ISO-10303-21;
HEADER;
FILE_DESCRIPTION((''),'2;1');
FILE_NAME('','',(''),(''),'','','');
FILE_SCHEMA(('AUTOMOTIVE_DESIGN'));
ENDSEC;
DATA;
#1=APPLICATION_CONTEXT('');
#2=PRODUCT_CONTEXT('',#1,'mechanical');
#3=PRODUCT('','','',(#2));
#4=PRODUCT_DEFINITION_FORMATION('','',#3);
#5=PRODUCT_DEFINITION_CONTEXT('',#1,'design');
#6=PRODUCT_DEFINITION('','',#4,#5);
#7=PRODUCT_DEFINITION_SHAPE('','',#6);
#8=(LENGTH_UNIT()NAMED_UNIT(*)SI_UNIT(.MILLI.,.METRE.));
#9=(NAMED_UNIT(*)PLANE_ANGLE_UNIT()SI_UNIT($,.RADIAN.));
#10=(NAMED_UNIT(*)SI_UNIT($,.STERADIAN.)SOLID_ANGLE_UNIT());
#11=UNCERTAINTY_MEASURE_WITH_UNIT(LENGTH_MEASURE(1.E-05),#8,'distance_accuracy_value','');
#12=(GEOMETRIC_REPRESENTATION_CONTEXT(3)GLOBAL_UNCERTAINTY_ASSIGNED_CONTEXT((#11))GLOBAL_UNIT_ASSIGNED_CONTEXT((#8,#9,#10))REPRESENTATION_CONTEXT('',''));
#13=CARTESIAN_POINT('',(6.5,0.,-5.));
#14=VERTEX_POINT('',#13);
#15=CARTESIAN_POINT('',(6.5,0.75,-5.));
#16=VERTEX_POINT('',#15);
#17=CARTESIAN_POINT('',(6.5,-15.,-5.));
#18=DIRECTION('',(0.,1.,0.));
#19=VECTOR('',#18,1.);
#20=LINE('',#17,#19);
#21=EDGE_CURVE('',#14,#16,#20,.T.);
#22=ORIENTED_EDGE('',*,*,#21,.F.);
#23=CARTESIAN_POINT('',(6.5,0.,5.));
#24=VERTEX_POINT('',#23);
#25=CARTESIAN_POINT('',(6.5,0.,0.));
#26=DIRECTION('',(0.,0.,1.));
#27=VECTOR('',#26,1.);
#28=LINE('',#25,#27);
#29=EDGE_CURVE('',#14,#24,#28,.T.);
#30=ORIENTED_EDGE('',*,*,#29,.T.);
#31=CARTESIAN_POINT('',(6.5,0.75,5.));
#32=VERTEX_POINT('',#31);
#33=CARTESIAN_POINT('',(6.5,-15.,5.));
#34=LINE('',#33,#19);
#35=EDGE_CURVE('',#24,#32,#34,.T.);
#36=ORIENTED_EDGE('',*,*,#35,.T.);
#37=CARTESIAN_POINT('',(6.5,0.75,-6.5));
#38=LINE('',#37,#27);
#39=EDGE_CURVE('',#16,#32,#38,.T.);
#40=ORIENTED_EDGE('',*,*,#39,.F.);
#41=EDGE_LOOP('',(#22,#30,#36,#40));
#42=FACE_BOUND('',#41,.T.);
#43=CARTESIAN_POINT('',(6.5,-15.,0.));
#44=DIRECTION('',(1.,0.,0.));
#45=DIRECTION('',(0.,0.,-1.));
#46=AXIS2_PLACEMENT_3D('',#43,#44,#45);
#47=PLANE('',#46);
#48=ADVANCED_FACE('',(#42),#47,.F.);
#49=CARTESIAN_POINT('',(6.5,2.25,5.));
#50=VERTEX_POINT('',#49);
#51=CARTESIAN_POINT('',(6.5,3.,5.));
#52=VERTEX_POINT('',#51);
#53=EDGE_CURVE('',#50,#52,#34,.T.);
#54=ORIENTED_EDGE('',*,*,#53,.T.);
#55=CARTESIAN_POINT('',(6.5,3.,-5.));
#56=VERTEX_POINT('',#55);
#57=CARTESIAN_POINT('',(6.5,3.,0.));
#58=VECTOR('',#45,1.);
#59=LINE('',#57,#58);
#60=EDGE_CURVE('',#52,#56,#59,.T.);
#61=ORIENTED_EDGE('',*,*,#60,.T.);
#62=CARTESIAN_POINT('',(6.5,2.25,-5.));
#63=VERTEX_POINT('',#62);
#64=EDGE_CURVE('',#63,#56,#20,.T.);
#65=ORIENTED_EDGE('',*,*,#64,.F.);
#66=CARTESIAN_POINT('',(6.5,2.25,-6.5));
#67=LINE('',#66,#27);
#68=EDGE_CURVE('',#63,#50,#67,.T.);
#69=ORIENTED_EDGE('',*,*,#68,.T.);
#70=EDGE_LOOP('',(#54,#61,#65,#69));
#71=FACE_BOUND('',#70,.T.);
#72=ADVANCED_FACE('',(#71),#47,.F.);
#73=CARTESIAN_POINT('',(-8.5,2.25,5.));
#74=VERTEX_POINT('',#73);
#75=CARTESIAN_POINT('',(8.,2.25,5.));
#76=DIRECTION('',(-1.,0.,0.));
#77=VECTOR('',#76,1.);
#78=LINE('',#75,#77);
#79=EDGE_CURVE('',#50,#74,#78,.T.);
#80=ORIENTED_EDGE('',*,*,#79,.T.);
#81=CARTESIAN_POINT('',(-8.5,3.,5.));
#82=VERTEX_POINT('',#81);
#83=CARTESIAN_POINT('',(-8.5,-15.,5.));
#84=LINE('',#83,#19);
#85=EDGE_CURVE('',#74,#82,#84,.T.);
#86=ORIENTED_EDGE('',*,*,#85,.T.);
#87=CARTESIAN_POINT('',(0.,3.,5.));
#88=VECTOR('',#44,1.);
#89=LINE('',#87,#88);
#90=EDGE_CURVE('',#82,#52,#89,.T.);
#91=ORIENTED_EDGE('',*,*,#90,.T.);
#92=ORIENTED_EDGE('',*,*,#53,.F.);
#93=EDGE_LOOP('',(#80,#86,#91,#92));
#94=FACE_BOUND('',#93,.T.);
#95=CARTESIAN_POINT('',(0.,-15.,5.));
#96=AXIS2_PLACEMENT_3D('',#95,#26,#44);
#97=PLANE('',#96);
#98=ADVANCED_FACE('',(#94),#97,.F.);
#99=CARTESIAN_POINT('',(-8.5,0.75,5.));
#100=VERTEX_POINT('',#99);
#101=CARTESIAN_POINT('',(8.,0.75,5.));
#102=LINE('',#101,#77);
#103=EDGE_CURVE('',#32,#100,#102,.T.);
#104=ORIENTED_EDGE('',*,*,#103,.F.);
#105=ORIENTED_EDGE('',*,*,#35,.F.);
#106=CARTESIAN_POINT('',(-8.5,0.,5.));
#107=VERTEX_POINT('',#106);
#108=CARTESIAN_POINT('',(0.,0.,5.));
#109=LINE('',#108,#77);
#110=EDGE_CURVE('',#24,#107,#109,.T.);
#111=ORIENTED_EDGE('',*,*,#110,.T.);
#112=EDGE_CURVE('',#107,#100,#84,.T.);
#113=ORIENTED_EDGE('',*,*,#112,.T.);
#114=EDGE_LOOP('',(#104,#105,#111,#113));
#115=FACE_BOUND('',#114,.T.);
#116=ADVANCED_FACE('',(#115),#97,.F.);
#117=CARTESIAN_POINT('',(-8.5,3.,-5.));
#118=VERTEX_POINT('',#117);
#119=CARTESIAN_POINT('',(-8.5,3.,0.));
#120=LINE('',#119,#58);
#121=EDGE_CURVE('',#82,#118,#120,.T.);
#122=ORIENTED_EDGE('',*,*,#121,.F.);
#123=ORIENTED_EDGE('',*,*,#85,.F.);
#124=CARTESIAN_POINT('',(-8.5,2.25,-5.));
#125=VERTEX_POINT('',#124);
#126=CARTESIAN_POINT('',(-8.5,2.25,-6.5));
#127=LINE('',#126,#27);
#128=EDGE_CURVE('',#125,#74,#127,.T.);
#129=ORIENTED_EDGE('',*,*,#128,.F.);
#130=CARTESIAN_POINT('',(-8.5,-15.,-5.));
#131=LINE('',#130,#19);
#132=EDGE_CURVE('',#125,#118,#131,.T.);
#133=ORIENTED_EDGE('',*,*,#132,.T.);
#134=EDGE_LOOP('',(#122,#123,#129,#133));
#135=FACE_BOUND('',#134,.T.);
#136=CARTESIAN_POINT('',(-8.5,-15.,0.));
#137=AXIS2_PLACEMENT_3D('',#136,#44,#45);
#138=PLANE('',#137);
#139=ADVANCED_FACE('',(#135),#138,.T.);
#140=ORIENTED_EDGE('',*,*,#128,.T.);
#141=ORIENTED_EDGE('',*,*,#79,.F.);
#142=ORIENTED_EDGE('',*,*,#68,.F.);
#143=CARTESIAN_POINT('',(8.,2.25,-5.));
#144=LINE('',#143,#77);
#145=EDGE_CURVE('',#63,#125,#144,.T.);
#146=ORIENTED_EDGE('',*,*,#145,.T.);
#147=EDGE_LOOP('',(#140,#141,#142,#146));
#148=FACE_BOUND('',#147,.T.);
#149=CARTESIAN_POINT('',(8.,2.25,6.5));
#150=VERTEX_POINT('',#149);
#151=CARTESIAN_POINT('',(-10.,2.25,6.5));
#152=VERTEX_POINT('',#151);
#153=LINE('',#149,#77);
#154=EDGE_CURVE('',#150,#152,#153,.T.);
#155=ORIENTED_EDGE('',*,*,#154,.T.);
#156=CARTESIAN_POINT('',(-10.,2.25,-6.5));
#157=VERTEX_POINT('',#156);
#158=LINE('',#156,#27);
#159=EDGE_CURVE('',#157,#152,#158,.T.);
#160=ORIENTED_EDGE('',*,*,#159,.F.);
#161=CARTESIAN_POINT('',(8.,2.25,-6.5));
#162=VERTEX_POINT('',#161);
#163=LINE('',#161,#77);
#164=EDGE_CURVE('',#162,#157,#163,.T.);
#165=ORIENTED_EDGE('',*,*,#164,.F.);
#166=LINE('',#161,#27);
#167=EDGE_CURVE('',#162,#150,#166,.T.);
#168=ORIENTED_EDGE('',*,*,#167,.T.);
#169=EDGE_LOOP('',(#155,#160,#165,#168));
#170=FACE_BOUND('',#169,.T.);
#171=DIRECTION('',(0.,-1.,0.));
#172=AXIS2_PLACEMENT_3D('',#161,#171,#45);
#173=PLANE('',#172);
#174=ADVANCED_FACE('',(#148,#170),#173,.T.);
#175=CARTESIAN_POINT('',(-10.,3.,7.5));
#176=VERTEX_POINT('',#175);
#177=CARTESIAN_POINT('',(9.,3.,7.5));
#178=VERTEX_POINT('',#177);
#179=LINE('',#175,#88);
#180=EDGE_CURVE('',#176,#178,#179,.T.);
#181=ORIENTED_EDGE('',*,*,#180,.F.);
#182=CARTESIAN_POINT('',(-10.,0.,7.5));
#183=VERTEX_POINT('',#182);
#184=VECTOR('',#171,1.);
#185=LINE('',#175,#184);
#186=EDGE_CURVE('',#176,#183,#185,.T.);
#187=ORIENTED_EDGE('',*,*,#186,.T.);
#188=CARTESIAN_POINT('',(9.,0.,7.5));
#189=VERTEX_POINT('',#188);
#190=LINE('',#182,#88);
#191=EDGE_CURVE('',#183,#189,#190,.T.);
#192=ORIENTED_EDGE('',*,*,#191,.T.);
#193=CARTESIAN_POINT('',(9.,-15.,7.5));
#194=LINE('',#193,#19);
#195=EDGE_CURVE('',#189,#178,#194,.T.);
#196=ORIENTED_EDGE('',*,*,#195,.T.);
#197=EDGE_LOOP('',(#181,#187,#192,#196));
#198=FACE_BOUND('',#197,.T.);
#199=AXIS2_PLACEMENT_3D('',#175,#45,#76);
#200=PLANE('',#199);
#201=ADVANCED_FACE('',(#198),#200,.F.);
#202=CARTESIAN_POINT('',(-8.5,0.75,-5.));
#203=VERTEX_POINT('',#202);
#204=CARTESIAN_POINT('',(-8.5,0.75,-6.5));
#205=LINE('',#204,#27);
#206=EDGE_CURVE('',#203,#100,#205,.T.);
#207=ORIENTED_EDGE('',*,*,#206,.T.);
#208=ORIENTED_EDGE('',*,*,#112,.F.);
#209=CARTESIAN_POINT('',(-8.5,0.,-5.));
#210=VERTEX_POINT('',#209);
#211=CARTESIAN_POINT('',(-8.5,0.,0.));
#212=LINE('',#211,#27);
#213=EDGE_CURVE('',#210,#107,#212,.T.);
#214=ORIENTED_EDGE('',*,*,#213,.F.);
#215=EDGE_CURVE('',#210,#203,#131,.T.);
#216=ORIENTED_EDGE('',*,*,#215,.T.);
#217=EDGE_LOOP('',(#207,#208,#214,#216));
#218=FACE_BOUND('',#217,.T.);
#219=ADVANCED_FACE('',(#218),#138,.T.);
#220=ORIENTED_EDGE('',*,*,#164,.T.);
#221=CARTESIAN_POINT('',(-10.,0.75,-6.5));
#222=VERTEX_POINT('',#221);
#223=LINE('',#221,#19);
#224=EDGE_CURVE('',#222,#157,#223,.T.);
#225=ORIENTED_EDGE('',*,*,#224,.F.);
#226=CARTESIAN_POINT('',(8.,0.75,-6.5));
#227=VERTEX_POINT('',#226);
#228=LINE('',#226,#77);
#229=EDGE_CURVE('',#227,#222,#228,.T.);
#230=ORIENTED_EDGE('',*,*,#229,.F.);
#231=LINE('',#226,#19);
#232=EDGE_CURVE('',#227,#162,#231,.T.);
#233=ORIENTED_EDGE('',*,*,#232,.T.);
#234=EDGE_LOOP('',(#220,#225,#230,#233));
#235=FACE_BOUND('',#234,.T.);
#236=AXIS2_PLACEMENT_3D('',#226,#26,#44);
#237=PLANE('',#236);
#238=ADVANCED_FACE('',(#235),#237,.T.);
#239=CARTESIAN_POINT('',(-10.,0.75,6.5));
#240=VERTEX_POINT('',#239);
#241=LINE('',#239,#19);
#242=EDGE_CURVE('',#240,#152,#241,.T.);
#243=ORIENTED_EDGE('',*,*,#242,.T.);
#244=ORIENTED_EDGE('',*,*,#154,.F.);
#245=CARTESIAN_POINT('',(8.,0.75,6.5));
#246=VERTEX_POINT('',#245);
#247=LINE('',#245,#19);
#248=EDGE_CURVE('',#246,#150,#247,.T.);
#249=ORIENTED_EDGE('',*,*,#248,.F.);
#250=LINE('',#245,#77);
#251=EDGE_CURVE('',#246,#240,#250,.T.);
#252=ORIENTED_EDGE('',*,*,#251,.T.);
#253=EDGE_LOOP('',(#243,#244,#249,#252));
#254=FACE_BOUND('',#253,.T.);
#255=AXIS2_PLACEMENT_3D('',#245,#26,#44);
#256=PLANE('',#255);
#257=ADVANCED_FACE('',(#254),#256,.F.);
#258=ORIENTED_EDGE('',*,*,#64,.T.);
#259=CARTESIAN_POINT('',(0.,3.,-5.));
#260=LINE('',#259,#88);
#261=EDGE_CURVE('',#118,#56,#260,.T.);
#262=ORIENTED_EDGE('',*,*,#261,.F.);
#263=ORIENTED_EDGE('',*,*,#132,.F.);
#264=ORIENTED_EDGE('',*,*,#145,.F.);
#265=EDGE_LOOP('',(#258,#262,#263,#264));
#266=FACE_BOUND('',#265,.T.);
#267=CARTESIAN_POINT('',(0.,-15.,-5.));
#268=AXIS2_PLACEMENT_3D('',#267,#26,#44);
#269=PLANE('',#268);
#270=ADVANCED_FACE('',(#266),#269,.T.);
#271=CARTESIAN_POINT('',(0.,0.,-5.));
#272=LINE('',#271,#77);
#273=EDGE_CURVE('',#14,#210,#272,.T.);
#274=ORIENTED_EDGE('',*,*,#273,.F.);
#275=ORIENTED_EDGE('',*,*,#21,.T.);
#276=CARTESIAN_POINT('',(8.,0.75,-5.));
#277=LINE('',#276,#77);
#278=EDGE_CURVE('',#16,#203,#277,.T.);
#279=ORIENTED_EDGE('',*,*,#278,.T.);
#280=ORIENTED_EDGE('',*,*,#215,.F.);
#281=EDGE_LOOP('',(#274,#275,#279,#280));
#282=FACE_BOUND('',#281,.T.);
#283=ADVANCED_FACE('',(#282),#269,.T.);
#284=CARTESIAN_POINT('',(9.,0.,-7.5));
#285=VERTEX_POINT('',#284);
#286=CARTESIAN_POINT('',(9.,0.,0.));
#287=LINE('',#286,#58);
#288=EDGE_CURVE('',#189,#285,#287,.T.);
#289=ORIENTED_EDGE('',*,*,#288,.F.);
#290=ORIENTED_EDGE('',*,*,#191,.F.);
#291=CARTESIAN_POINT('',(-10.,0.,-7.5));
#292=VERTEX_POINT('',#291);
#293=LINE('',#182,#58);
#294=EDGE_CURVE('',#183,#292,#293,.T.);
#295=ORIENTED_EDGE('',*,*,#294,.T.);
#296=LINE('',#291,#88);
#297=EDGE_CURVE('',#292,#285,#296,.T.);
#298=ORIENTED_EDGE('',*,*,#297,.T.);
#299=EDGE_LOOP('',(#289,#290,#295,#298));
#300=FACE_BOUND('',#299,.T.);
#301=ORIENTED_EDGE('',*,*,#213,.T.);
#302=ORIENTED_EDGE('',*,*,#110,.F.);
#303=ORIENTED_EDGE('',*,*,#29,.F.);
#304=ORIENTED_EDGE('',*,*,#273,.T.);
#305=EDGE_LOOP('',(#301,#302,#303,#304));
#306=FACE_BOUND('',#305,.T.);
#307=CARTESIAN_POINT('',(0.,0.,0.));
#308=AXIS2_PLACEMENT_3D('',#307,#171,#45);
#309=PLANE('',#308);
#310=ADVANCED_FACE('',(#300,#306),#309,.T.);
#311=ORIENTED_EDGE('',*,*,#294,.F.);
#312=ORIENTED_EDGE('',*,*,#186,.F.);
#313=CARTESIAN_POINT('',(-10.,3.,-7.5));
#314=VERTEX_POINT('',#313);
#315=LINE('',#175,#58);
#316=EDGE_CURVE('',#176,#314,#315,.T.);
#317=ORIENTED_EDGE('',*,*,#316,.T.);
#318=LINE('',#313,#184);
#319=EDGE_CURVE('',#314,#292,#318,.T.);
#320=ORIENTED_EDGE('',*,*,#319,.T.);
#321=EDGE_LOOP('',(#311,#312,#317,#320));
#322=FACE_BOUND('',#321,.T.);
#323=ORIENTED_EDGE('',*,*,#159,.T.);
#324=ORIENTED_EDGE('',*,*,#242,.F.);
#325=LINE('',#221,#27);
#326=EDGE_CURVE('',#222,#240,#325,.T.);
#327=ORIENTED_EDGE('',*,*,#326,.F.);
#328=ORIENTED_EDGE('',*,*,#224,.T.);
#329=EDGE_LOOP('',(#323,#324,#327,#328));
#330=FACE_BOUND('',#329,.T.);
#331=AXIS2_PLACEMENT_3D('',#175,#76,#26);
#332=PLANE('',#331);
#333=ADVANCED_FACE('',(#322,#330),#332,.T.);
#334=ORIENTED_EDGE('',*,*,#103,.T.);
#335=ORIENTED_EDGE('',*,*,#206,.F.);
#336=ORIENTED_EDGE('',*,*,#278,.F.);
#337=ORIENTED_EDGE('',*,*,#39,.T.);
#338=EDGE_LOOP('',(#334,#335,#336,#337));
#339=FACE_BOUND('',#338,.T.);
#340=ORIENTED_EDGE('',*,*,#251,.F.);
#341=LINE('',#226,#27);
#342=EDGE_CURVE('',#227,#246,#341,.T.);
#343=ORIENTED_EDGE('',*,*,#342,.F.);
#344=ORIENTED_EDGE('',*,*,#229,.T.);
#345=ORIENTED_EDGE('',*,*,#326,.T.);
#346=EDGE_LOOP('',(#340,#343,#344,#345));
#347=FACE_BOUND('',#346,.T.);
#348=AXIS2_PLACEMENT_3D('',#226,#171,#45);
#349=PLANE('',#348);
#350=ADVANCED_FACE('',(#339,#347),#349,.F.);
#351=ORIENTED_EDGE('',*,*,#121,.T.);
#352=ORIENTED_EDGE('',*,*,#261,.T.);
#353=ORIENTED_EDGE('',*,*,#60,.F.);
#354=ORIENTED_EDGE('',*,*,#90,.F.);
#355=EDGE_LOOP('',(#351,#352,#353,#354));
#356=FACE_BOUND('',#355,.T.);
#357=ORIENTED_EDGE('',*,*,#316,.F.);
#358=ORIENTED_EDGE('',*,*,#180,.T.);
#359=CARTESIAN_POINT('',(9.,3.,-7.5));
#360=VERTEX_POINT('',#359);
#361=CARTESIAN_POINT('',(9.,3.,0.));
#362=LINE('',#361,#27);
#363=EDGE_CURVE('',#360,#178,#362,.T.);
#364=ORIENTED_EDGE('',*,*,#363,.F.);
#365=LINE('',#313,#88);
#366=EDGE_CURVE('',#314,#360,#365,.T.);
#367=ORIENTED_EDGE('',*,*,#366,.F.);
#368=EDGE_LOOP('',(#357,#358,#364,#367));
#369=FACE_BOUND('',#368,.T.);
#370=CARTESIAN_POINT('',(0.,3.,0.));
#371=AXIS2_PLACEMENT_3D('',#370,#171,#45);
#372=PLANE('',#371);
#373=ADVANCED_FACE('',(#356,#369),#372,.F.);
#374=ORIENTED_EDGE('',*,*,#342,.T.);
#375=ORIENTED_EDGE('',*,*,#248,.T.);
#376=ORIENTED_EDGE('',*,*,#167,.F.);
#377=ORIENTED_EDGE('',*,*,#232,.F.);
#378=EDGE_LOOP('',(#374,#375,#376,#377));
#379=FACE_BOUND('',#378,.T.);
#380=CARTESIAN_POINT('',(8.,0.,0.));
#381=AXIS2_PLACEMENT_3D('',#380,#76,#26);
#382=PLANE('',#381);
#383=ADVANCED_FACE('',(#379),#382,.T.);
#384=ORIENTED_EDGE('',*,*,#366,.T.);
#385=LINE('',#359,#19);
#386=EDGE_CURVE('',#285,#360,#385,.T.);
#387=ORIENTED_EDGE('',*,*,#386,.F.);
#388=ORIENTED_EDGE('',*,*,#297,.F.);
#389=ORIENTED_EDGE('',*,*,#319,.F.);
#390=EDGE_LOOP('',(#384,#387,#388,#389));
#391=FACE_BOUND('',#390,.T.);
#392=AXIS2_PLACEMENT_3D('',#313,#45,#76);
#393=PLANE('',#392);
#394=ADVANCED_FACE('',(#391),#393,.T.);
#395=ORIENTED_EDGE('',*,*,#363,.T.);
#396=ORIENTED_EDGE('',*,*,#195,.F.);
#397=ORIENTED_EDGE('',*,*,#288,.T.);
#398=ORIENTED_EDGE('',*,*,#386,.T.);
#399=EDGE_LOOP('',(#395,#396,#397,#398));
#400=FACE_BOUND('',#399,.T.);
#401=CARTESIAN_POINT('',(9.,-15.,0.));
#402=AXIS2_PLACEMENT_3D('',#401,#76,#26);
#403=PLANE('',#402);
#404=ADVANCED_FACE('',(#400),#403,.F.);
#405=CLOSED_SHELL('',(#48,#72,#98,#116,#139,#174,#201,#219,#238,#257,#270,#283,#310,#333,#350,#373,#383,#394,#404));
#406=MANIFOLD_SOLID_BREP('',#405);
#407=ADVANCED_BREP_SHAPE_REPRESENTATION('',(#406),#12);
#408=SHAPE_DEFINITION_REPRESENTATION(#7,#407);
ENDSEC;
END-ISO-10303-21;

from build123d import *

# Parameters (mm, degrees)
SKETCH1_W           = 20
SKETCH1_H           = 15
BOSS_EXTRUDE3_DEPTH = 3
SKETCH4_W           = 13
SKETCH4_H           = 1.5
CUT_EXTRUDE1_DEPTH  = 18
SKETCH5_W           = 15
SKETCH5_H           = 10
CUT_EXTRUDE2_DEPTH  = 18
SKETCH5_3_W         = 1
SKETCH5_3_H         = 15
CUT_EXTRUDE3_DEPTH  = 18


with BuildPart() as part:
    # Sketch1 → Boss-Extrude3 (new body)
    with BuildSketch(Plane(origin=(0, 0, 0), x_dir=(1, 0, 0), z_dir=(0, 1, 0))):
        Rectangle(SKETCH1_W, SKETCH1_H)
    extrude(amount=BOSS_EXTRUDE3_DEPTH)

    # Sketch4 → Cut-Extrude1 (cut)
    with BuildSketch(Plane.ZY.offset(10)):
        with Locations((0, 1.5)):
            Rectangle(SKETCH4_W, SKETCH4_H)
    extrude(amount=-CUT_EXTRUDE1_DEPTH, mode=Mode.SUBTRACT)

    # Sketch5 → Cut-Extrude2 (cut)
    with BuildSketch(Plane(origin=(0, 3, 0), x_dir=(1, 0, 0), z_dir=(0, 1, 0))):
        with Locations((-1, 0)):
            Rectangle(SKETCH5_W, SKETCH5_H)
    extrude(amount=-CUT_EXTRUDE2_DEPTH, mode=Mode.SUBTRACT)

    # Sketch5<3> → Cut-Extrude3 (cut)
    with BuildSketch(Plane(origin=(0, 3, 0), x_dir=(1, 0, 0), z_dir=(0, 1, 0))):
        with Locations((9.5, 0)):
            Rectangle(SKETCH5_3_W, SKETCH5_3_H)
    extrude(amount=-CUT_EXTRUDE3_DEPTH, mode=Mode.SUBTRACT)


solid = part.part
